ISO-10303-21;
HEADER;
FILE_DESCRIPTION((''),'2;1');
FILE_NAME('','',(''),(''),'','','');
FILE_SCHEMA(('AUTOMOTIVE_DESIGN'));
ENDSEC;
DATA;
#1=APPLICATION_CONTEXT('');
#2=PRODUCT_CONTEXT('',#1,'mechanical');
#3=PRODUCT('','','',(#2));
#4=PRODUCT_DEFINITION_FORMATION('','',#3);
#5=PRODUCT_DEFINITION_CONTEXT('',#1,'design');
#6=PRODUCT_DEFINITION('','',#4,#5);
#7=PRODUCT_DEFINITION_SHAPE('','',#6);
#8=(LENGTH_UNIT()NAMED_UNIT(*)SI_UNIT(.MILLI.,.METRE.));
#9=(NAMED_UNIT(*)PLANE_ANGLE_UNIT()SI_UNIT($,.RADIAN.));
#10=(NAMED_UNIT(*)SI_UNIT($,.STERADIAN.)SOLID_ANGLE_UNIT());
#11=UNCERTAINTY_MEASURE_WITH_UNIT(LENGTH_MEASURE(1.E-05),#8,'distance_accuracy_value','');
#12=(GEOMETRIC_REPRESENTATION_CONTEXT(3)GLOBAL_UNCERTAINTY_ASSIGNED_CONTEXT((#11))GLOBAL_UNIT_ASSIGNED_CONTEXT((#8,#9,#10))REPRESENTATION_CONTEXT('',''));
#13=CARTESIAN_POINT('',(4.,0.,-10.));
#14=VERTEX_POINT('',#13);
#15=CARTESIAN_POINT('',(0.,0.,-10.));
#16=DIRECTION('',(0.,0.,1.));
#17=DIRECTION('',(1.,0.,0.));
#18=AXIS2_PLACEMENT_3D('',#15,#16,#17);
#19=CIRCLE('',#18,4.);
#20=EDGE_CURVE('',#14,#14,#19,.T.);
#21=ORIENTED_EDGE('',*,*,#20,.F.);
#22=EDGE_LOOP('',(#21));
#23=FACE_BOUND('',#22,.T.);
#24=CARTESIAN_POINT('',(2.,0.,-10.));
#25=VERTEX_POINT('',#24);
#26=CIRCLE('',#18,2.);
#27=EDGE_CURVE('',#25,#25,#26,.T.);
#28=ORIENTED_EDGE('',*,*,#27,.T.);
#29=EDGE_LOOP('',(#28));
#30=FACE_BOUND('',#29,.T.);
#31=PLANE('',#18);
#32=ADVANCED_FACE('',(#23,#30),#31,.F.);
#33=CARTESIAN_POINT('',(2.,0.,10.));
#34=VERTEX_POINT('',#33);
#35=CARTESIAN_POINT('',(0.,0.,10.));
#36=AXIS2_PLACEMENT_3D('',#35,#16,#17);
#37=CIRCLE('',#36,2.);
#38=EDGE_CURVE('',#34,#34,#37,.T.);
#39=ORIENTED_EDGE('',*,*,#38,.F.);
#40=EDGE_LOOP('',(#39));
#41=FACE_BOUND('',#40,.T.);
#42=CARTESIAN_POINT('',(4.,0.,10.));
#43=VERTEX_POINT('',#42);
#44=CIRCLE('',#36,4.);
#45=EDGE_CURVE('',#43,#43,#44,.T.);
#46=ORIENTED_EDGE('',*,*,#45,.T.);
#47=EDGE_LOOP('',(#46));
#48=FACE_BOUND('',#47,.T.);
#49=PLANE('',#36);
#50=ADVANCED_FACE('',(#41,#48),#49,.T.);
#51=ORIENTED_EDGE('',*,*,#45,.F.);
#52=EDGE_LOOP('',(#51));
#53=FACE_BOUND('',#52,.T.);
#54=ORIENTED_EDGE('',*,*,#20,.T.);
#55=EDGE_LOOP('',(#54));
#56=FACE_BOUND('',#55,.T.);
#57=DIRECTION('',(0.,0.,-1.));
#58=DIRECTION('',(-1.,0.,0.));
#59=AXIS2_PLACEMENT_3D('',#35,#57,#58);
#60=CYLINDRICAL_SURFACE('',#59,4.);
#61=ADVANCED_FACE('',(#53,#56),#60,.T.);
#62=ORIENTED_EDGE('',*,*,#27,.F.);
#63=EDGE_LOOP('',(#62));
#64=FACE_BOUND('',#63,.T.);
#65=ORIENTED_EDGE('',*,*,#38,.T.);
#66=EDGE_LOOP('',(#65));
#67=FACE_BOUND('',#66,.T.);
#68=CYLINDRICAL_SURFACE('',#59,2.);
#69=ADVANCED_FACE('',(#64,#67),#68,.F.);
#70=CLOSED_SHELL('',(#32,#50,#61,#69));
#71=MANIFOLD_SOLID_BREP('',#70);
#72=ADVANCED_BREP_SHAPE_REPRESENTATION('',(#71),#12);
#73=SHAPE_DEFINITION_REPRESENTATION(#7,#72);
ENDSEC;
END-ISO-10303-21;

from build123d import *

# Parameters (mm, degrees)
SKETCH_1_R      = 4
SKETCH_1_R_2    = 2
EXTRUDE_1_DEPTH = 10


with BuildPart() as part:
    # 草图1 → 凸台-拉伸1 (new body, symmetric)
    with BuildSketch(Plane.XY):
        Circle(SKETCH_1_R)
        Circle(SKETCH_1_R_2, mode=Mode.SUBTRACT)
    extrude(amount=EXTRUDE_1_DEPTH, both=True)


solid = part.part
